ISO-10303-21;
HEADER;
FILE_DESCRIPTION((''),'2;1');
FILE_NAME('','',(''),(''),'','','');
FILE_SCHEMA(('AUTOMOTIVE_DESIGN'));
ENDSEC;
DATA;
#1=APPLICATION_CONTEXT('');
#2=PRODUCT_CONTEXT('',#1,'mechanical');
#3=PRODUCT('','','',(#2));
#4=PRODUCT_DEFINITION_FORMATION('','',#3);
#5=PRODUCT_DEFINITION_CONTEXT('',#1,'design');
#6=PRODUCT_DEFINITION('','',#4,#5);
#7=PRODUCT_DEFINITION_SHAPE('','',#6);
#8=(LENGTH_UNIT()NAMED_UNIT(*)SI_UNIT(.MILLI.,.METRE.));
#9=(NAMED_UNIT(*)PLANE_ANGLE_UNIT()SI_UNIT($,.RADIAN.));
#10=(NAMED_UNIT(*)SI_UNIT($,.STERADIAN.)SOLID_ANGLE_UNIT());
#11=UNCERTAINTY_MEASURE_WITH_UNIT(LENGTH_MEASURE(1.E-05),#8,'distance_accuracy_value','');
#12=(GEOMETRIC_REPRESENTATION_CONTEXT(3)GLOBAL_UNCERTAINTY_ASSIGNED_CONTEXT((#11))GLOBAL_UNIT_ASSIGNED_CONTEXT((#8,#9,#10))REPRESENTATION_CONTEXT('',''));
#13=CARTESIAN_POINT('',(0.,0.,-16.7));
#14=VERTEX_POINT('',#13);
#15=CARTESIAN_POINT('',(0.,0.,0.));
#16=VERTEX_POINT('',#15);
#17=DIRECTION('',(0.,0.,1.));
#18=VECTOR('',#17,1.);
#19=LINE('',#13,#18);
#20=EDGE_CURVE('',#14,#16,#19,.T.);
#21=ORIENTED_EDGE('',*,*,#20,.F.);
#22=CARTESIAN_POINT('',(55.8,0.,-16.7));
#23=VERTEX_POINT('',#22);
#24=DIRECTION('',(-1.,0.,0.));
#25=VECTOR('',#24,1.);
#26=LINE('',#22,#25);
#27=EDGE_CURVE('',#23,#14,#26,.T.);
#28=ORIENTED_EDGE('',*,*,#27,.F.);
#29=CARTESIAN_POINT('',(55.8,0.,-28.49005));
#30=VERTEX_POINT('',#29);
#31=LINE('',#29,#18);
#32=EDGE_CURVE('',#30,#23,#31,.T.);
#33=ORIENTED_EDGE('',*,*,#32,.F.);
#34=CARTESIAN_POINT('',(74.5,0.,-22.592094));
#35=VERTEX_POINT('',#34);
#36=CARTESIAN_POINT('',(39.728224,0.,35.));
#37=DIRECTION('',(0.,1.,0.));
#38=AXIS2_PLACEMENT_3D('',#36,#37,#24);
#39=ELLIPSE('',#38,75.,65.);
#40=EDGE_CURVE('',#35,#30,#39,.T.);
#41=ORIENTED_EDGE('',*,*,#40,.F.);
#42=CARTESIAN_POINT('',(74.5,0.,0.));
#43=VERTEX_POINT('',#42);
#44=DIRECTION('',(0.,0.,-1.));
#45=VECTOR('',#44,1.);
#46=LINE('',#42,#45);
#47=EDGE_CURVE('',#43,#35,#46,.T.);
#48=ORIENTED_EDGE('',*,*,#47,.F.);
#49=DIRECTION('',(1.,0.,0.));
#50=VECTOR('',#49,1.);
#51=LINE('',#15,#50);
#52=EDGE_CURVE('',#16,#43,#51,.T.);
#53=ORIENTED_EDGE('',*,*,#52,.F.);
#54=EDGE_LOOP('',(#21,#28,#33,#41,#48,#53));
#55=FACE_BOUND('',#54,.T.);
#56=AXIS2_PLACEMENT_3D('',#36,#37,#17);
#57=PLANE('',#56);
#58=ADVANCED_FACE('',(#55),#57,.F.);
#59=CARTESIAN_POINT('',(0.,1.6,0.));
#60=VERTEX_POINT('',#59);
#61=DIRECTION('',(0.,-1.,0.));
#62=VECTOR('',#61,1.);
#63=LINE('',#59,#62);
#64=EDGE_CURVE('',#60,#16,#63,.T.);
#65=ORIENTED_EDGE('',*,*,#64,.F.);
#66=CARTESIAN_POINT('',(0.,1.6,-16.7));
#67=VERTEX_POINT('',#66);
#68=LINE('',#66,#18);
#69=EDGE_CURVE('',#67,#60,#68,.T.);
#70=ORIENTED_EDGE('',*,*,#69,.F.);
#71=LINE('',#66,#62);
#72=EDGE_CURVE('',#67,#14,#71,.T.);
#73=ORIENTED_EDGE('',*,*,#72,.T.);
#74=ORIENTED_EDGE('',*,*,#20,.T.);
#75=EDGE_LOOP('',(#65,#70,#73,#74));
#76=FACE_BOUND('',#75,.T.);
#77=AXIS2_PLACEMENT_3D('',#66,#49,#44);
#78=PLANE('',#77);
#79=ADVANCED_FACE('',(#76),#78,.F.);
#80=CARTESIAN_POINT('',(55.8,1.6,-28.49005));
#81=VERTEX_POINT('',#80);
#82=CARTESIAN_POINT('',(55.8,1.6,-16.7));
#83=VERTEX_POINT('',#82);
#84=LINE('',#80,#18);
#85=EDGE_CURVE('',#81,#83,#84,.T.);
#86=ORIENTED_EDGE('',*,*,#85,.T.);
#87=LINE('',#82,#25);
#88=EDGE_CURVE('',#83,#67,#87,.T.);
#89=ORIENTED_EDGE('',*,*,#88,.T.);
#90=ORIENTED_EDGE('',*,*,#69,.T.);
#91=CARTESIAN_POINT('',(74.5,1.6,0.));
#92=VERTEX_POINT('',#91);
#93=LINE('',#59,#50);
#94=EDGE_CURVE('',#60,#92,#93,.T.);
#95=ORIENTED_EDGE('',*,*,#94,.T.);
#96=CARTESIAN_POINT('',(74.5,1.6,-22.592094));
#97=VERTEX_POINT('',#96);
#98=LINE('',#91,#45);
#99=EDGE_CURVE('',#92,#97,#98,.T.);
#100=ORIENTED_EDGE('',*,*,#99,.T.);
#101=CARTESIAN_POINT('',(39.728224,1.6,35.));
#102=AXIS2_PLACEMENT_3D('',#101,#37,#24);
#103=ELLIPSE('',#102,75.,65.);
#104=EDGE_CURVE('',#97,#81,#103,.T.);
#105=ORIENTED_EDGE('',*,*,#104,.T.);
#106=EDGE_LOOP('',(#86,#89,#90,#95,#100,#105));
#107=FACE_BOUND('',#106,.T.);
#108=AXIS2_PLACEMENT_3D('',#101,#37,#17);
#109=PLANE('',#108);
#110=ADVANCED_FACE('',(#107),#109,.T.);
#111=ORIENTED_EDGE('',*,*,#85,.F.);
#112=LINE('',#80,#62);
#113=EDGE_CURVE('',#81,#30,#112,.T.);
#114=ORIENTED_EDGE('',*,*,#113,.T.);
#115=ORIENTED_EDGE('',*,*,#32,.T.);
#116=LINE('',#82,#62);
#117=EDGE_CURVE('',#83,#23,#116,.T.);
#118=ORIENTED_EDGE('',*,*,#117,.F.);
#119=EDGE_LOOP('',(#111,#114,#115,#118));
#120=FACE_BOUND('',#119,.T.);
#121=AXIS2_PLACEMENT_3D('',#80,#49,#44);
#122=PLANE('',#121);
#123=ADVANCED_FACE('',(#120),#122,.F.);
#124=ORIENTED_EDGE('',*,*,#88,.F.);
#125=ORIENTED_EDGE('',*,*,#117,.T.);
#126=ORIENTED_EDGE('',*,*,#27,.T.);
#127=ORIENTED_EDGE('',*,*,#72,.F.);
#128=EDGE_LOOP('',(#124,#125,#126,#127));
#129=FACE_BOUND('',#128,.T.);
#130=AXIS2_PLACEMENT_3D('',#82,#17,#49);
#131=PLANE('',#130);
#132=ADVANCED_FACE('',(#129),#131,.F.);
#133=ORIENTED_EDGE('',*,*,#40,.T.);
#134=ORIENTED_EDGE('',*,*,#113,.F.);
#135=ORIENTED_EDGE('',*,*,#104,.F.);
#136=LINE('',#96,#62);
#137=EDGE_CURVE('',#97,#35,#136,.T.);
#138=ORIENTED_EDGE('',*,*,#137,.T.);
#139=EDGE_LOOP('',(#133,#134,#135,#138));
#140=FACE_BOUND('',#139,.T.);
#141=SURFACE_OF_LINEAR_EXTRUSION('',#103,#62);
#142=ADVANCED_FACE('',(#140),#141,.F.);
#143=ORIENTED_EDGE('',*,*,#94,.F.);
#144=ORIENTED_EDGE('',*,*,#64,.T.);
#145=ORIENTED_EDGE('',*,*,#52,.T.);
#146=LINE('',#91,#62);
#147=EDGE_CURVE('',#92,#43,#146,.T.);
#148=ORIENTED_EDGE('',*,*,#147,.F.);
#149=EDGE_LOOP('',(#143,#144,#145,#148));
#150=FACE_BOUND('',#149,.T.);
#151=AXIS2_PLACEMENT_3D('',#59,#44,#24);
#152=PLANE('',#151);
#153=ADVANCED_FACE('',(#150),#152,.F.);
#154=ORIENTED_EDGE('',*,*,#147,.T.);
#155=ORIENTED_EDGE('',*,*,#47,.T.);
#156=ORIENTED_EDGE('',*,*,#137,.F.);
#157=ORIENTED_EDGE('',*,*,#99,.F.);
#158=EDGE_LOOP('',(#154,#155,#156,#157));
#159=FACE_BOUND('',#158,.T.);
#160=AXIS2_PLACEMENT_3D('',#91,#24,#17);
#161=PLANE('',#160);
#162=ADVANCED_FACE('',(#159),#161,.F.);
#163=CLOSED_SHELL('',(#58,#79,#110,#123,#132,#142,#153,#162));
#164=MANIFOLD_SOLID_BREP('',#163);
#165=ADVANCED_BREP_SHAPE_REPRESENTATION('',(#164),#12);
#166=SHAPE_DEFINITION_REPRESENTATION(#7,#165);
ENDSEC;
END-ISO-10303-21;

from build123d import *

# Parameters (mm, degrees)
BOSS_EXTRUDE1_DEPTH = 1.6


with BuildPart() as part:
    # Sketch1 → Boss-Extrude1 (new body)
    with BuildSketch(Plane(origin=(0, 0, 0), x_dir=(1, 0, 0), z_dir=(0, 1, 0))):
        with BuildLine():
            Line((0, 0), (74.5, 0))
            Line((74.5, 0), (74.5, 22.592093752))
            add(Edge.make_bspline(
                [(74.5, 22.592093752), (65.605442008, 26.625691322), (55.8, 28.490050428)],
                knots=[4.23030835, 4.23030835, 4.23030835, 4.496423735, 4.496423735, 4.496423735], degree=2, weights=[1, 0.991160878, 1]))
            Line((55.8, 28.490050428), (55.8, 16.7))
            Line((55.8, 16.7), (0, 16.7))
            Line((0, 16.7), (0, 0))
        make_face()
    extrude(amount=BOSS_EXTRUDE1_DEPTH)


solid = part.part
